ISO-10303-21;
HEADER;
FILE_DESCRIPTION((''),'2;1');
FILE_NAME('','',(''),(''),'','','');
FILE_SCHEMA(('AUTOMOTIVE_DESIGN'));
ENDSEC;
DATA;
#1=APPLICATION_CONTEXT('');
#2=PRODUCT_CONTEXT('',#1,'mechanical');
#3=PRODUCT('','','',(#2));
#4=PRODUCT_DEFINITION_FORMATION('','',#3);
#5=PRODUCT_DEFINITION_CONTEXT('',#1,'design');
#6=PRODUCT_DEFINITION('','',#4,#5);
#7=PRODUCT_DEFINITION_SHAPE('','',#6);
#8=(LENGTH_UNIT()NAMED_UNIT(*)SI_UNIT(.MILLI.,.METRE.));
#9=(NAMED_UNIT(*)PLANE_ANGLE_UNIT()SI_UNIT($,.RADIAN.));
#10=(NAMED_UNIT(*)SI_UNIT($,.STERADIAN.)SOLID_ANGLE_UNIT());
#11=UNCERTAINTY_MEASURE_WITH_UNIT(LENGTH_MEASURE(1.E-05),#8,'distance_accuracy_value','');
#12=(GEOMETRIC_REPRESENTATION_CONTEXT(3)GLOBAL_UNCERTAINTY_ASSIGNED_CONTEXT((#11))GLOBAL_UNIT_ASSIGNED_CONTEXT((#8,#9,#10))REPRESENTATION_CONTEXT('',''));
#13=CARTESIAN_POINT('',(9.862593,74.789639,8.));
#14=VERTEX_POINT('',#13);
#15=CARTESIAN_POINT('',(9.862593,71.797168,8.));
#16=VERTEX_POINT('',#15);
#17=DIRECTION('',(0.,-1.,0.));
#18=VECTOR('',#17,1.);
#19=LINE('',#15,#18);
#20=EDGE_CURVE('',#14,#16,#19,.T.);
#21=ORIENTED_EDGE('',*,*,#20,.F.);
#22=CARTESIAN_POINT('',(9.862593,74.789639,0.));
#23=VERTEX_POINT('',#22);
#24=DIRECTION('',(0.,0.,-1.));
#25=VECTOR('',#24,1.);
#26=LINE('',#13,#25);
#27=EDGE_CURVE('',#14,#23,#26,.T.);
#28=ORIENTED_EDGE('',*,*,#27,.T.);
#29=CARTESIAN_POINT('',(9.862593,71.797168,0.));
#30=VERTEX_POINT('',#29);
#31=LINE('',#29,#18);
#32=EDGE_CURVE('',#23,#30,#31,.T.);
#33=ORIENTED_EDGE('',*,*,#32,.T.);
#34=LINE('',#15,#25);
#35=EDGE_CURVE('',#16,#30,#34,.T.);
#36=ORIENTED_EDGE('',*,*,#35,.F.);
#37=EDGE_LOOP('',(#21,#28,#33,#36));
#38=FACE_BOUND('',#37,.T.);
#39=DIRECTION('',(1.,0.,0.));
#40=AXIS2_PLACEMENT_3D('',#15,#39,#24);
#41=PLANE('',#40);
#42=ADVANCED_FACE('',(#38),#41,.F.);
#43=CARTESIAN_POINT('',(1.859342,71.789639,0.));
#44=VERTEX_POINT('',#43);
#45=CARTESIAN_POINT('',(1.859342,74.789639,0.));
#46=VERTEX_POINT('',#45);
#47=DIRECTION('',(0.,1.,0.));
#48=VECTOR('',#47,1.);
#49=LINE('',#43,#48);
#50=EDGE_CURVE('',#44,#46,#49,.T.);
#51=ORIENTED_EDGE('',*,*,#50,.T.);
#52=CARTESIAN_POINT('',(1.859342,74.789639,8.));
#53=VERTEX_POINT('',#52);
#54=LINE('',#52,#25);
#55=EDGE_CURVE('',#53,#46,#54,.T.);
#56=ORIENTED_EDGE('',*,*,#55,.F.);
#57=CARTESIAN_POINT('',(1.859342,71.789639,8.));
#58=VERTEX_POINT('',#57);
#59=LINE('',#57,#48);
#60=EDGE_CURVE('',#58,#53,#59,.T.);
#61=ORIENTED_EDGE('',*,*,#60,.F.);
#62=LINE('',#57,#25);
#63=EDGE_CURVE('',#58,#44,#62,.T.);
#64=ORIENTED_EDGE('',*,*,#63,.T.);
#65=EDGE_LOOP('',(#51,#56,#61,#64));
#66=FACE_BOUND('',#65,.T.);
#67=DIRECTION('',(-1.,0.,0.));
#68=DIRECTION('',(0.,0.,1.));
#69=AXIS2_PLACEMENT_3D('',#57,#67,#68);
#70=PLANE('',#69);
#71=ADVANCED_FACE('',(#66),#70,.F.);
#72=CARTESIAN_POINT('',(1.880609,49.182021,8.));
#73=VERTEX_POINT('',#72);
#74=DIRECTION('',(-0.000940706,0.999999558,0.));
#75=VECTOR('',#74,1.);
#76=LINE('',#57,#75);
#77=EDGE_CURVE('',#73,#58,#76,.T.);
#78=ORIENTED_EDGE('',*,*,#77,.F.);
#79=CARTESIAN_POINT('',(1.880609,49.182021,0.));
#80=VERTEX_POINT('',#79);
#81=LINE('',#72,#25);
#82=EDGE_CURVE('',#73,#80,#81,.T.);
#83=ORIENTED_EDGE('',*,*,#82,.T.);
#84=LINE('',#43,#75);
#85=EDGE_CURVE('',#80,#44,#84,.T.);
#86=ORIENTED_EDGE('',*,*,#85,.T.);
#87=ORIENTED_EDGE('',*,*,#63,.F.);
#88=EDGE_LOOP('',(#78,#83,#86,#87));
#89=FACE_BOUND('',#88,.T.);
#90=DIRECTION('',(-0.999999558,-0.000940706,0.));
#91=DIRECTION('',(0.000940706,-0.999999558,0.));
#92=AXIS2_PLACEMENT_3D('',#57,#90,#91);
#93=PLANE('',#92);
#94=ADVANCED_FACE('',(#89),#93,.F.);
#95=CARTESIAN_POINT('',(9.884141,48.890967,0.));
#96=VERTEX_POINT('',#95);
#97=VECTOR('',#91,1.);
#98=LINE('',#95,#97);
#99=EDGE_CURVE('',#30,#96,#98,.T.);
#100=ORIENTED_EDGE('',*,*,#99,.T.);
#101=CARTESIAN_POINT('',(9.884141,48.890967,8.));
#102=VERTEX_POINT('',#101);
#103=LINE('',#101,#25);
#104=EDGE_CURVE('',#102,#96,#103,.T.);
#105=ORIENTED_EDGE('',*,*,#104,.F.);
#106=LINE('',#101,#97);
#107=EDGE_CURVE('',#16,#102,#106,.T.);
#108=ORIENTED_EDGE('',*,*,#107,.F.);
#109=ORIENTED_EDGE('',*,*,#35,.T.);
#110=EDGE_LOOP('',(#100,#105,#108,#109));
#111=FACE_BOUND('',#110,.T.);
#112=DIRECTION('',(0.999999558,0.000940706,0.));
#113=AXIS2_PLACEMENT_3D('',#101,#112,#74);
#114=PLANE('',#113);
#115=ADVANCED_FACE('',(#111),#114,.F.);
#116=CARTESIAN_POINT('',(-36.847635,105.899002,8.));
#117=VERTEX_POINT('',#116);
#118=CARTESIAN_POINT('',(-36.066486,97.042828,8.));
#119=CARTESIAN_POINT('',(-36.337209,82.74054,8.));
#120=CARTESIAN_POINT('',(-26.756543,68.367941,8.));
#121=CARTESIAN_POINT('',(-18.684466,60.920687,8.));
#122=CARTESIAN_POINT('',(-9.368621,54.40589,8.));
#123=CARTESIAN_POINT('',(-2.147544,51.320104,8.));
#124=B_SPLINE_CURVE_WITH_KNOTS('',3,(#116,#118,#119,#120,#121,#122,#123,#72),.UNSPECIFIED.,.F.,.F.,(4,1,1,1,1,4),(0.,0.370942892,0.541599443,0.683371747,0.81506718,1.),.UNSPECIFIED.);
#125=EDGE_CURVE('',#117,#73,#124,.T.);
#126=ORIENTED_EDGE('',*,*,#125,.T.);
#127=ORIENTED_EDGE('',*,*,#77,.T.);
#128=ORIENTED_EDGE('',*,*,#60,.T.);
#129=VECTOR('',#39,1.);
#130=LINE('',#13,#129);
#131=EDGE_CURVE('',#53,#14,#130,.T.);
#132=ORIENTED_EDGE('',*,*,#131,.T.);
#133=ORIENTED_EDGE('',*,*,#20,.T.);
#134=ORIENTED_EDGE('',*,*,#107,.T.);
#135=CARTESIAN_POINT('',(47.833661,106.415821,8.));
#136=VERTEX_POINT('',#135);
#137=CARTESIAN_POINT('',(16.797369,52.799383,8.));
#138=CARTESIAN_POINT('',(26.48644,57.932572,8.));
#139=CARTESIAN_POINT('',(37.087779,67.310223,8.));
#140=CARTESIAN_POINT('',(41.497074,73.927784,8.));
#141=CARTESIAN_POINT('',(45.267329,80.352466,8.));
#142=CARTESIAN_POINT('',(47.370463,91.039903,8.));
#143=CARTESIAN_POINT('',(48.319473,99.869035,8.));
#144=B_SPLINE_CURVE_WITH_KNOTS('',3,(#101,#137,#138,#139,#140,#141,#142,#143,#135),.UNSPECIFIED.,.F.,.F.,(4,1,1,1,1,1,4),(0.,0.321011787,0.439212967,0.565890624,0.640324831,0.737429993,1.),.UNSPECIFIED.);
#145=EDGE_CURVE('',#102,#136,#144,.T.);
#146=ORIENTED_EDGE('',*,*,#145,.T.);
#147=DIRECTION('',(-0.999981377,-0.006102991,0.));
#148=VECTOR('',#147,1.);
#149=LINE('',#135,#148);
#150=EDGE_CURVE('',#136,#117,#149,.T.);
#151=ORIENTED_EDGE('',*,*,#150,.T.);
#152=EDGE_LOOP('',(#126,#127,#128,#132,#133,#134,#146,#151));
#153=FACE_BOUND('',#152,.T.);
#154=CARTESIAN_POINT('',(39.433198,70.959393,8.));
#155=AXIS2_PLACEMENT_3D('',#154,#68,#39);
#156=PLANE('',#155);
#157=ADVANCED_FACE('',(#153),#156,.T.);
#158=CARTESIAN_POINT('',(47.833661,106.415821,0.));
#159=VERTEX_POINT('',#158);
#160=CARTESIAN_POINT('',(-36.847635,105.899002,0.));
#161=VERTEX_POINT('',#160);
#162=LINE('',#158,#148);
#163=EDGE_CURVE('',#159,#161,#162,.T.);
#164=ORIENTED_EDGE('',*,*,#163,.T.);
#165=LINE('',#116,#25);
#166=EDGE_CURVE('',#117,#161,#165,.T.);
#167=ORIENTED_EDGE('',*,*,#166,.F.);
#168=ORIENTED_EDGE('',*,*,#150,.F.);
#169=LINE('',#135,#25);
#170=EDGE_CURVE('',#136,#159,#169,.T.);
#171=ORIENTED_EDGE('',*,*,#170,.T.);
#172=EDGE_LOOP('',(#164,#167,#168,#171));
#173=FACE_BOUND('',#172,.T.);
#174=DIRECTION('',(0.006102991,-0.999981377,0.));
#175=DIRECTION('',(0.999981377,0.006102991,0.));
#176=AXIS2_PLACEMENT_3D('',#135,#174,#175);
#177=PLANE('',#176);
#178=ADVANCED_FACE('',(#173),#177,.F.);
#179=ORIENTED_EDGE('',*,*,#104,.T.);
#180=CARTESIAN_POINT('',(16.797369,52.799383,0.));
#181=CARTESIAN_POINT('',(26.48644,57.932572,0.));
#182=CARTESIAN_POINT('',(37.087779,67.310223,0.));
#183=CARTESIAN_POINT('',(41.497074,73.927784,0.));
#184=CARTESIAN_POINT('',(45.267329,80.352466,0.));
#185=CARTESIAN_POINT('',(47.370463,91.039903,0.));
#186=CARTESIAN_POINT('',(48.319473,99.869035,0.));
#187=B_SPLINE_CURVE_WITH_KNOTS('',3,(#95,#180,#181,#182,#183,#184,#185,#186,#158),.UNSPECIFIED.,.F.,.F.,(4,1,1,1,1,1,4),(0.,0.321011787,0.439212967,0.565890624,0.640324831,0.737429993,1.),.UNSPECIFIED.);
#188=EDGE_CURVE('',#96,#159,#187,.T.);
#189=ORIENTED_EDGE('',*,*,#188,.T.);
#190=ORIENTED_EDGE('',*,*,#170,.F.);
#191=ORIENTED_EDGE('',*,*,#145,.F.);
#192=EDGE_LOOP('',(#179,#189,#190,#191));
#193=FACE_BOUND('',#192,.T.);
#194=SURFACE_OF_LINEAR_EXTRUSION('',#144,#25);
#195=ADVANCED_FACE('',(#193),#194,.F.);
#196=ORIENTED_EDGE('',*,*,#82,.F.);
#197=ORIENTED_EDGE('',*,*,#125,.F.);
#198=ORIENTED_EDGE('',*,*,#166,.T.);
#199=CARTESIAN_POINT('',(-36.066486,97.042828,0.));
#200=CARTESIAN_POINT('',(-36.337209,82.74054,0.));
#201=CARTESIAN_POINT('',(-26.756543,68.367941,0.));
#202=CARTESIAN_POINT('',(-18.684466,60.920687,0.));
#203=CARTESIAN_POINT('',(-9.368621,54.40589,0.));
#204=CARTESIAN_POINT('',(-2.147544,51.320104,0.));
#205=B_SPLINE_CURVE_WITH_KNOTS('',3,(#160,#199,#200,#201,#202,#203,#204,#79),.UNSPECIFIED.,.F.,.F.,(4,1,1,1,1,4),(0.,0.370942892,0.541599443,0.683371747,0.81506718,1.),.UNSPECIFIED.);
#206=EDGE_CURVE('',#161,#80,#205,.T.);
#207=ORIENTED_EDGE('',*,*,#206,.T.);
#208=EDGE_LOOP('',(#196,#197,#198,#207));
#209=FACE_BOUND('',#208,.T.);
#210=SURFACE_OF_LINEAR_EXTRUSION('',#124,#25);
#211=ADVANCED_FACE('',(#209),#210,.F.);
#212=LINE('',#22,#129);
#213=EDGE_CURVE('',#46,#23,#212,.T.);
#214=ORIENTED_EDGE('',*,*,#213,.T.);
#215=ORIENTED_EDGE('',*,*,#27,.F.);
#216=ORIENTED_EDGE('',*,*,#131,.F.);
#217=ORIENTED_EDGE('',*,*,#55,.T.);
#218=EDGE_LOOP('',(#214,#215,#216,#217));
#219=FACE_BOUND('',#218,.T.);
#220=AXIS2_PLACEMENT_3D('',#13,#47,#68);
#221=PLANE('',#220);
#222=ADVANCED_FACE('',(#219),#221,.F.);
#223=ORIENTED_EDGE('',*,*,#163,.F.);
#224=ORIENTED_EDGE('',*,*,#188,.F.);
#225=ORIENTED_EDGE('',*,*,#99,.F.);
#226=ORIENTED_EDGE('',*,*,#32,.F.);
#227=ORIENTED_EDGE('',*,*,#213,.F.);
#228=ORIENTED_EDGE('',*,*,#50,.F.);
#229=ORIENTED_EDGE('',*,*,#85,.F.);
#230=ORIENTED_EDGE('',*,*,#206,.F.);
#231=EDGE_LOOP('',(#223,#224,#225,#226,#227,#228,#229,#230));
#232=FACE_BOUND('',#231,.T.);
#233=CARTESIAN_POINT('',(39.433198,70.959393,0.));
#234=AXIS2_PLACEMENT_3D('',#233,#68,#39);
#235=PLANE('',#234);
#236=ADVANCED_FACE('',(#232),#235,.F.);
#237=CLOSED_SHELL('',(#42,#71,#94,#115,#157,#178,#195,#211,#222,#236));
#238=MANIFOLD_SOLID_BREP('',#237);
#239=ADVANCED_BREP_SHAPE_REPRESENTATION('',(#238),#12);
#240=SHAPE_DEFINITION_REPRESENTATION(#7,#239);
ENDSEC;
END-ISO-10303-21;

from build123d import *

# Parameters (mm, degrees)
EXTRUDE_1_DEPTH = 8


with BuildPart() as part:
    # 草图1 → 凸台-拉伸1 (new body)
    with BuildSketch(Plane.XY):
        with BuildLine():
            Line((9.884140627, 48.890967478), (9.862592606, 71.797167618))
            Line((9.862592606, 71.797167618), (9.862592606, 74.789638905))
            Line((9.862592606, 74.789638905), (1.859342158, 74.789638905))
            Line((1.859342158, 74.789638905), (1.859342158, 71.789638905))
            Line((1.859342158, 71.789638905), (1.880609299, 49.182021359))
            add(Edge.make_bspline(
                [(1.880609299, 49.182021359), (-2.147543525, 51.320103541), (-9.368620539, 54.40588996), (-18.684466246, 60.920686929), (-26.75654301, 68.367940859), (-36.33720868, 82.740540116), (-36.066485806, 97.042827626), (-36.847635358, 105.899002406)],
                knots=[0, 0, 0, 0, 0.18493282, 0.316628253, 0.458400557, 0.629057108, 1, 1, 1, 1], degree=3))
            Line((-36.847635358, 105.899002406), (47.833660698, 106.415821201))
            add(Edge.make_bspline(
                [(47.833660698, 106.415821201), (48.319473241, 99.869034947), (47.370463287, 91.039903293), (45.267329493, 80.35246618), (41.497074055, 73.927784135), (37.087778724, 67.31022324), (26.486440292, 57.93257211), (16.797369064, 52.799383097), (9.884140627, 48.890967478)],
                knots=[0, 0, 0, 0, 0.262570007, 0.359675169, 0.434109376, 0.560787033, 0.678988213, 1, 1, 1, 1], degree=3))
        make_face()
    extrude(amount=EXTRUDE_1_DEPTH)


solid = part.part
